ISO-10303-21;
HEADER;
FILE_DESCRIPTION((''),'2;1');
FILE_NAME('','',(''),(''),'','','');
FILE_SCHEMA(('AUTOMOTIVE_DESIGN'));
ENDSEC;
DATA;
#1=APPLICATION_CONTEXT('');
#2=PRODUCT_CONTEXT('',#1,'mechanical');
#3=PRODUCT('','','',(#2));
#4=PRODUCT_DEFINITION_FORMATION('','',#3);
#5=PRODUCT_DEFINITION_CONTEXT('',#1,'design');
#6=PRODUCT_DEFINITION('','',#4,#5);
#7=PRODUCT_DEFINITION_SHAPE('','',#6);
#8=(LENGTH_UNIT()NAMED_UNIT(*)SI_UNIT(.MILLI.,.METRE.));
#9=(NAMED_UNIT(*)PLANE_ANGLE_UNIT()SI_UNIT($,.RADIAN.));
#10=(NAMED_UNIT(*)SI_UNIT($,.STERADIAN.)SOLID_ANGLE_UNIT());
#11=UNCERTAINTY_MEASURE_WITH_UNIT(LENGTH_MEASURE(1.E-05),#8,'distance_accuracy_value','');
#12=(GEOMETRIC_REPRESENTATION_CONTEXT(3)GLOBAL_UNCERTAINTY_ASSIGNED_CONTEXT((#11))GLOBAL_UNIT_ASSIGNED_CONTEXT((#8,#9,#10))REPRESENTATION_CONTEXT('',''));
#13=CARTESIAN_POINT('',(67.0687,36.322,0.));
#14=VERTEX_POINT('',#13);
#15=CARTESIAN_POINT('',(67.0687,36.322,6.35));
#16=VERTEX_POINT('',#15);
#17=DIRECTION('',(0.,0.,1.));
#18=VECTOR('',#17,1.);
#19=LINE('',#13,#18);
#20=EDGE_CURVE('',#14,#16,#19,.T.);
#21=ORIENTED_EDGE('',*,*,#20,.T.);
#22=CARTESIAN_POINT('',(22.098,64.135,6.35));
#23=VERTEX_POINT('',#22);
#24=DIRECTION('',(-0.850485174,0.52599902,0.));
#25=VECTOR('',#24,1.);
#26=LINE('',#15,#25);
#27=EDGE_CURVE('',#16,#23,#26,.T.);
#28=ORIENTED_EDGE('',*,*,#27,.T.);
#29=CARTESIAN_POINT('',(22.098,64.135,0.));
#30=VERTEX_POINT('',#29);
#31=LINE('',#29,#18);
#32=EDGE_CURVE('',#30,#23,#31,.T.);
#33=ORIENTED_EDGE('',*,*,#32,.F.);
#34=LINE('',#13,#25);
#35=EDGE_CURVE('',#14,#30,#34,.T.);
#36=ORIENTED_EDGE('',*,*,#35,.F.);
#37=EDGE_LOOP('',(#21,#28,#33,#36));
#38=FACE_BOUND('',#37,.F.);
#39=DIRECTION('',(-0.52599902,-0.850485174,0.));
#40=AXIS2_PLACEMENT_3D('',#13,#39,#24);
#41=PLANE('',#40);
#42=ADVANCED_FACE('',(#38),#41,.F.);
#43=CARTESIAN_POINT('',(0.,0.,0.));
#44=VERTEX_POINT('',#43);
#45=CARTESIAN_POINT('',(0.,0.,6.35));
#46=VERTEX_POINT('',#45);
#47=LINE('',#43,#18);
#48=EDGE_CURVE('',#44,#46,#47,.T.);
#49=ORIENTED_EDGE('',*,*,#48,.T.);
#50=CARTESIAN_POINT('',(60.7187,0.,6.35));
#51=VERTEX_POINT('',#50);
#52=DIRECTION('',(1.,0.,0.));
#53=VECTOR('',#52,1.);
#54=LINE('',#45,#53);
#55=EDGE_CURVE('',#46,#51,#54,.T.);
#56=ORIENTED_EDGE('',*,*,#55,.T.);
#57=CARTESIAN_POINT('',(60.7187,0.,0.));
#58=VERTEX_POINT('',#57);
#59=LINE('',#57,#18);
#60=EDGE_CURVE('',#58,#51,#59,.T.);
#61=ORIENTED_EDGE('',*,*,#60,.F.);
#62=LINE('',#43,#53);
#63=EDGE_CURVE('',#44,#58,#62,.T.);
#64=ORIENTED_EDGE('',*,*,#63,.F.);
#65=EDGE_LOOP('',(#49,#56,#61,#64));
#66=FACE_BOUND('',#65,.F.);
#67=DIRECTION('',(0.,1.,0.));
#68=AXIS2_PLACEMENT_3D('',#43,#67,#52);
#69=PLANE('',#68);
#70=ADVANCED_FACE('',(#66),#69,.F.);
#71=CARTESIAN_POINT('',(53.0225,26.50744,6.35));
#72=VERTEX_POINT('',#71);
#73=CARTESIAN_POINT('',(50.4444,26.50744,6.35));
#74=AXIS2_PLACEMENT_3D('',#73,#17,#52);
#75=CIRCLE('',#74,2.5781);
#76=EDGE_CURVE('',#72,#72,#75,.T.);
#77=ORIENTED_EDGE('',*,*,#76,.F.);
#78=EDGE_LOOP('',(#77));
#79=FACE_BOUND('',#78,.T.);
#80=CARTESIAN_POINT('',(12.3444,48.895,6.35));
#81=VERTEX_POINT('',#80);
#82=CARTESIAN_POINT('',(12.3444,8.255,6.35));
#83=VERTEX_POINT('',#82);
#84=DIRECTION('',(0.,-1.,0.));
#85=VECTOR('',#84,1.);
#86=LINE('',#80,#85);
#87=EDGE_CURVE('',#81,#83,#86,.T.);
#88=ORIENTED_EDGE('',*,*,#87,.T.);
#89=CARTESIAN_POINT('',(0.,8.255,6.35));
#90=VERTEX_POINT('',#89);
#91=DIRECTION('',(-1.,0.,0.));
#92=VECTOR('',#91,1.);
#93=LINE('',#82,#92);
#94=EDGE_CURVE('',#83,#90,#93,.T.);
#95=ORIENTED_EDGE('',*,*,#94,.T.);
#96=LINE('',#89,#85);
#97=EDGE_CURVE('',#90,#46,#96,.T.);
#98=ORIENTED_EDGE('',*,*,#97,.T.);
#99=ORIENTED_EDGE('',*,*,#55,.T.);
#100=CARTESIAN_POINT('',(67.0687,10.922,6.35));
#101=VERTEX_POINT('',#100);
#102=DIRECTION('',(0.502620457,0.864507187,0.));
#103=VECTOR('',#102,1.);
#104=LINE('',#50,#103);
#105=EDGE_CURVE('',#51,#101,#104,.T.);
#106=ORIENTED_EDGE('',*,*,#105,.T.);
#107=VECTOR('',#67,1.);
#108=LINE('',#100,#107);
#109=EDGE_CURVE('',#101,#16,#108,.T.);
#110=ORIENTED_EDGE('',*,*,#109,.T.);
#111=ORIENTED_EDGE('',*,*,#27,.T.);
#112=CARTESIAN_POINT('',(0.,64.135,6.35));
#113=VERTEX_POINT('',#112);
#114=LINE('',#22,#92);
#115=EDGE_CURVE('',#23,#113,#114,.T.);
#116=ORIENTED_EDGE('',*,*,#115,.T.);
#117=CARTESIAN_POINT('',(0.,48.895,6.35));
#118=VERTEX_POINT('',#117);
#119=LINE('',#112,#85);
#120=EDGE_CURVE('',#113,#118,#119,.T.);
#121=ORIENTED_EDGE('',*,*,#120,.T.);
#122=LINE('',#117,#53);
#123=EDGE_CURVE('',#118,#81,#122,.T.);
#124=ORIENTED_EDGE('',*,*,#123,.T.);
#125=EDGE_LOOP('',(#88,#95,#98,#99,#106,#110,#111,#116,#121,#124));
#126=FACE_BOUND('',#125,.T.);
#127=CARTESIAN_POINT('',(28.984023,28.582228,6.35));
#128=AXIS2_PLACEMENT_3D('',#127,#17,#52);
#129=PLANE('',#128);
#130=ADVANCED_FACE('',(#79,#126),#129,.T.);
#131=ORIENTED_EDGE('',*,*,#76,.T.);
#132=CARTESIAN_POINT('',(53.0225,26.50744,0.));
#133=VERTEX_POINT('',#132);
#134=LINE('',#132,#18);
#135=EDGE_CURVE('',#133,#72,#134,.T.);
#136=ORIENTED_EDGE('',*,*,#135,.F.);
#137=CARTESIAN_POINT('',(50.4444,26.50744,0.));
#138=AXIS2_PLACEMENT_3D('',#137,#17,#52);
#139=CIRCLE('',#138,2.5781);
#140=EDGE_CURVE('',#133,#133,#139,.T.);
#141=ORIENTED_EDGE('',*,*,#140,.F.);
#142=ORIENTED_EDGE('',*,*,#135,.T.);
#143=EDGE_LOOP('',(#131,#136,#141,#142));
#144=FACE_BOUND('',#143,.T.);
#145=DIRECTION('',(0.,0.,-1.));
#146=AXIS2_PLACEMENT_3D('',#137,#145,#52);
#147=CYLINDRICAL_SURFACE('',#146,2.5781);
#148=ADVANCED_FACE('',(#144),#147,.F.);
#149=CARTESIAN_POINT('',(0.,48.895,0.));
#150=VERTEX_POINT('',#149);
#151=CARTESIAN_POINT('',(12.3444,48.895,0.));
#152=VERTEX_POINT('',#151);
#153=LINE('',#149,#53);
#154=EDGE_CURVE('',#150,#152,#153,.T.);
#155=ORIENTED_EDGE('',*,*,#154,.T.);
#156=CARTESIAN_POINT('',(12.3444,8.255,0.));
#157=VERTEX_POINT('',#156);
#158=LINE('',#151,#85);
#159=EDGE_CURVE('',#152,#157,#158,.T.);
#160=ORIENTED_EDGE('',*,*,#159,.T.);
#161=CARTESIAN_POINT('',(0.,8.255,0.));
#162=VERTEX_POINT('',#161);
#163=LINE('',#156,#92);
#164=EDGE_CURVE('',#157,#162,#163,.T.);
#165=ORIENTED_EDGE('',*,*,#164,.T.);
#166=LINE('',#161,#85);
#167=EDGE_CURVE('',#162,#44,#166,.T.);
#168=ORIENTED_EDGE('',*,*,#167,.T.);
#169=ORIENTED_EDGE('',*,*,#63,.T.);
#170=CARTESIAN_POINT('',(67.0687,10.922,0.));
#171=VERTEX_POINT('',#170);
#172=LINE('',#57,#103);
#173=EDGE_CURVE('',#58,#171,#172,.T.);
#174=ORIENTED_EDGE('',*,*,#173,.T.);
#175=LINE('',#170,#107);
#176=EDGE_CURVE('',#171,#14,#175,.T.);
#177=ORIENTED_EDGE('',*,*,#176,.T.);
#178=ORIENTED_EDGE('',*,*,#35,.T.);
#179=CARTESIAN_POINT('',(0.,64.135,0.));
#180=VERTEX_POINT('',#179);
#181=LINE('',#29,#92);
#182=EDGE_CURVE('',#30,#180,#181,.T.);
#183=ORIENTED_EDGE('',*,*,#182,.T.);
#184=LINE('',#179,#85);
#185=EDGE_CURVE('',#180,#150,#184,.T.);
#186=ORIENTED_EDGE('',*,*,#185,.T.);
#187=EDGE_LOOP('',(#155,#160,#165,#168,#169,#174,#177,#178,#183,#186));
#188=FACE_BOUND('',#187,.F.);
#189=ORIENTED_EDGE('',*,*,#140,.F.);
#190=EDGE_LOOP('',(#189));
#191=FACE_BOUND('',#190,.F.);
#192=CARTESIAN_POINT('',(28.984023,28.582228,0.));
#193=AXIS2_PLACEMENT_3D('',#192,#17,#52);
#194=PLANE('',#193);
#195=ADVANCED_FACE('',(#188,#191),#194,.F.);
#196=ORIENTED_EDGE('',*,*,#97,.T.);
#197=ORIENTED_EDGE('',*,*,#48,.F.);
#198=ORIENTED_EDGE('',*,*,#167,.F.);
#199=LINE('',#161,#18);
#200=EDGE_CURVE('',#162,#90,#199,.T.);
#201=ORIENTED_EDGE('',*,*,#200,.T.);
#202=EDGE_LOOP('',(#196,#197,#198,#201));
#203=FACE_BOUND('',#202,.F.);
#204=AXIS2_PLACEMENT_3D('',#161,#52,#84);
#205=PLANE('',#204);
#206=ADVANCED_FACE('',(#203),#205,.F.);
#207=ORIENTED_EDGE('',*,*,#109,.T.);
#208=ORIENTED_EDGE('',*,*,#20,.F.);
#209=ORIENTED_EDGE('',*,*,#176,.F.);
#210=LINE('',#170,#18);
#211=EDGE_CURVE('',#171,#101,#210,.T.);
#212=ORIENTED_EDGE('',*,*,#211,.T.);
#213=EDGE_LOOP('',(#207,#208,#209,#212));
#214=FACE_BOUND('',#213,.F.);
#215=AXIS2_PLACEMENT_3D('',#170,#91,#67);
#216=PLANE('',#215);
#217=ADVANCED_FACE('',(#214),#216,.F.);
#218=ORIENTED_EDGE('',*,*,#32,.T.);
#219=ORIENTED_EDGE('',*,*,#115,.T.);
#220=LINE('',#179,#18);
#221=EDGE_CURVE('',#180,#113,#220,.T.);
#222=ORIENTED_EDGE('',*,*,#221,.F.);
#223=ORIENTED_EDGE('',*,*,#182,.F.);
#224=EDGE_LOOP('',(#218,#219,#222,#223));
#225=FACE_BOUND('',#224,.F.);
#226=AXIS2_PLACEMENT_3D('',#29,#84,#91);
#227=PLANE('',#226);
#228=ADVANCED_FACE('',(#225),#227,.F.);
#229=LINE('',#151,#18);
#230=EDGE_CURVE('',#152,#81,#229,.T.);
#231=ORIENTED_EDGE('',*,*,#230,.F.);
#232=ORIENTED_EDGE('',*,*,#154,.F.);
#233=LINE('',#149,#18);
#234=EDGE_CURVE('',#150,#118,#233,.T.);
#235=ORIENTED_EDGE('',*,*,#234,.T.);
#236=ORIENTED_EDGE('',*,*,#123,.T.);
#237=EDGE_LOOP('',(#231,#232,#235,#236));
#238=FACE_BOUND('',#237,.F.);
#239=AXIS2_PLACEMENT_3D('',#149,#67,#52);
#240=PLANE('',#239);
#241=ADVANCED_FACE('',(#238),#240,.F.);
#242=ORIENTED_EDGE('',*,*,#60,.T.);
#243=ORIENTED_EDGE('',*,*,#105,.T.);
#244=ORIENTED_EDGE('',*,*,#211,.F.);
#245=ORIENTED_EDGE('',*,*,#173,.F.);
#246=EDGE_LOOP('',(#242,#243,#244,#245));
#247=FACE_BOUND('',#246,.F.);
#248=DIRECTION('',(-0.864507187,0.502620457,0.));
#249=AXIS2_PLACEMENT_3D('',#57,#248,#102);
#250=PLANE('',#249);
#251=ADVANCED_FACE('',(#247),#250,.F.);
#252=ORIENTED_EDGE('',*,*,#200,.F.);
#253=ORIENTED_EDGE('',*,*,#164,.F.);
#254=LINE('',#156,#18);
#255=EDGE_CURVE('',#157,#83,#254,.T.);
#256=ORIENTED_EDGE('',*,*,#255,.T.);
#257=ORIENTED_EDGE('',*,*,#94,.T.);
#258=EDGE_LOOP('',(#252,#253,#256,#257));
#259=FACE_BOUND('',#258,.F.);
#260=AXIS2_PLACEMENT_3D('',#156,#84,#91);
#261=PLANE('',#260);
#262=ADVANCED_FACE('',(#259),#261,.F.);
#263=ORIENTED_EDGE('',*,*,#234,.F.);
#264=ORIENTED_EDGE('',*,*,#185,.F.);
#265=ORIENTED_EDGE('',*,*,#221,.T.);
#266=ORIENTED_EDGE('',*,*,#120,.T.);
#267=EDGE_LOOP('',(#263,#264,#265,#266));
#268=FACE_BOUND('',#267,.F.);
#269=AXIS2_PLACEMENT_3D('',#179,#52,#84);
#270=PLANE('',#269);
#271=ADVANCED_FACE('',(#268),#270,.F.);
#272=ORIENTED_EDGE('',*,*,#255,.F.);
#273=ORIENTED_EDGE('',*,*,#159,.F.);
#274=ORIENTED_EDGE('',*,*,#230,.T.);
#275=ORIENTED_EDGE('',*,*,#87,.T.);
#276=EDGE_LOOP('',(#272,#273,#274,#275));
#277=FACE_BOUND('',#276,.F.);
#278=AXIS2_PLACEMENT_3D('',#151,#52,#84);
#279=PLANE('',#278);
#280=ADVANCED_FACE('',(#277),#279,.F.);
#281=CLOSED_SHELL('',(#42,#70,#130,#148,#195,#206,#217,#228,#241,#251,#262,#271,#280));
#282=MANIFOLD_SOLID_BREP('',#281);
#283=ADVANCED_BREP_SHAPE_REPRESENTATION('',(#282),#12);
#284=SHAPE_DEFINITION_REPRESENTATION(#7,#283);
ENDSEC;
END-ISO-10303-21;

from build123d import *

# Parameters (mm, degrees)
SKETCH_R  = 2.5781
PAD_DEPTH = 6.35


with BuildPart() as part:
    # Sketch → Pad (new body)
    with BuildSketch(Plane.XY):
        Polygon((0, 0), (60.7187, 0), (67.0687, 10.922), (67.0687, 36.322), (22.098, 64.135), (0, 64.135), (0, 48.895), (12.3444, 48.895), (12.3444, 8.255), (0, 8.255), align=None)
        with Locations((50.4444, 26.50744)):
            Circle(SKETCH_R, mode=Mode.SUBTRACT)
    extrude(amount=PAD_DEPTH)


solid = part.part
